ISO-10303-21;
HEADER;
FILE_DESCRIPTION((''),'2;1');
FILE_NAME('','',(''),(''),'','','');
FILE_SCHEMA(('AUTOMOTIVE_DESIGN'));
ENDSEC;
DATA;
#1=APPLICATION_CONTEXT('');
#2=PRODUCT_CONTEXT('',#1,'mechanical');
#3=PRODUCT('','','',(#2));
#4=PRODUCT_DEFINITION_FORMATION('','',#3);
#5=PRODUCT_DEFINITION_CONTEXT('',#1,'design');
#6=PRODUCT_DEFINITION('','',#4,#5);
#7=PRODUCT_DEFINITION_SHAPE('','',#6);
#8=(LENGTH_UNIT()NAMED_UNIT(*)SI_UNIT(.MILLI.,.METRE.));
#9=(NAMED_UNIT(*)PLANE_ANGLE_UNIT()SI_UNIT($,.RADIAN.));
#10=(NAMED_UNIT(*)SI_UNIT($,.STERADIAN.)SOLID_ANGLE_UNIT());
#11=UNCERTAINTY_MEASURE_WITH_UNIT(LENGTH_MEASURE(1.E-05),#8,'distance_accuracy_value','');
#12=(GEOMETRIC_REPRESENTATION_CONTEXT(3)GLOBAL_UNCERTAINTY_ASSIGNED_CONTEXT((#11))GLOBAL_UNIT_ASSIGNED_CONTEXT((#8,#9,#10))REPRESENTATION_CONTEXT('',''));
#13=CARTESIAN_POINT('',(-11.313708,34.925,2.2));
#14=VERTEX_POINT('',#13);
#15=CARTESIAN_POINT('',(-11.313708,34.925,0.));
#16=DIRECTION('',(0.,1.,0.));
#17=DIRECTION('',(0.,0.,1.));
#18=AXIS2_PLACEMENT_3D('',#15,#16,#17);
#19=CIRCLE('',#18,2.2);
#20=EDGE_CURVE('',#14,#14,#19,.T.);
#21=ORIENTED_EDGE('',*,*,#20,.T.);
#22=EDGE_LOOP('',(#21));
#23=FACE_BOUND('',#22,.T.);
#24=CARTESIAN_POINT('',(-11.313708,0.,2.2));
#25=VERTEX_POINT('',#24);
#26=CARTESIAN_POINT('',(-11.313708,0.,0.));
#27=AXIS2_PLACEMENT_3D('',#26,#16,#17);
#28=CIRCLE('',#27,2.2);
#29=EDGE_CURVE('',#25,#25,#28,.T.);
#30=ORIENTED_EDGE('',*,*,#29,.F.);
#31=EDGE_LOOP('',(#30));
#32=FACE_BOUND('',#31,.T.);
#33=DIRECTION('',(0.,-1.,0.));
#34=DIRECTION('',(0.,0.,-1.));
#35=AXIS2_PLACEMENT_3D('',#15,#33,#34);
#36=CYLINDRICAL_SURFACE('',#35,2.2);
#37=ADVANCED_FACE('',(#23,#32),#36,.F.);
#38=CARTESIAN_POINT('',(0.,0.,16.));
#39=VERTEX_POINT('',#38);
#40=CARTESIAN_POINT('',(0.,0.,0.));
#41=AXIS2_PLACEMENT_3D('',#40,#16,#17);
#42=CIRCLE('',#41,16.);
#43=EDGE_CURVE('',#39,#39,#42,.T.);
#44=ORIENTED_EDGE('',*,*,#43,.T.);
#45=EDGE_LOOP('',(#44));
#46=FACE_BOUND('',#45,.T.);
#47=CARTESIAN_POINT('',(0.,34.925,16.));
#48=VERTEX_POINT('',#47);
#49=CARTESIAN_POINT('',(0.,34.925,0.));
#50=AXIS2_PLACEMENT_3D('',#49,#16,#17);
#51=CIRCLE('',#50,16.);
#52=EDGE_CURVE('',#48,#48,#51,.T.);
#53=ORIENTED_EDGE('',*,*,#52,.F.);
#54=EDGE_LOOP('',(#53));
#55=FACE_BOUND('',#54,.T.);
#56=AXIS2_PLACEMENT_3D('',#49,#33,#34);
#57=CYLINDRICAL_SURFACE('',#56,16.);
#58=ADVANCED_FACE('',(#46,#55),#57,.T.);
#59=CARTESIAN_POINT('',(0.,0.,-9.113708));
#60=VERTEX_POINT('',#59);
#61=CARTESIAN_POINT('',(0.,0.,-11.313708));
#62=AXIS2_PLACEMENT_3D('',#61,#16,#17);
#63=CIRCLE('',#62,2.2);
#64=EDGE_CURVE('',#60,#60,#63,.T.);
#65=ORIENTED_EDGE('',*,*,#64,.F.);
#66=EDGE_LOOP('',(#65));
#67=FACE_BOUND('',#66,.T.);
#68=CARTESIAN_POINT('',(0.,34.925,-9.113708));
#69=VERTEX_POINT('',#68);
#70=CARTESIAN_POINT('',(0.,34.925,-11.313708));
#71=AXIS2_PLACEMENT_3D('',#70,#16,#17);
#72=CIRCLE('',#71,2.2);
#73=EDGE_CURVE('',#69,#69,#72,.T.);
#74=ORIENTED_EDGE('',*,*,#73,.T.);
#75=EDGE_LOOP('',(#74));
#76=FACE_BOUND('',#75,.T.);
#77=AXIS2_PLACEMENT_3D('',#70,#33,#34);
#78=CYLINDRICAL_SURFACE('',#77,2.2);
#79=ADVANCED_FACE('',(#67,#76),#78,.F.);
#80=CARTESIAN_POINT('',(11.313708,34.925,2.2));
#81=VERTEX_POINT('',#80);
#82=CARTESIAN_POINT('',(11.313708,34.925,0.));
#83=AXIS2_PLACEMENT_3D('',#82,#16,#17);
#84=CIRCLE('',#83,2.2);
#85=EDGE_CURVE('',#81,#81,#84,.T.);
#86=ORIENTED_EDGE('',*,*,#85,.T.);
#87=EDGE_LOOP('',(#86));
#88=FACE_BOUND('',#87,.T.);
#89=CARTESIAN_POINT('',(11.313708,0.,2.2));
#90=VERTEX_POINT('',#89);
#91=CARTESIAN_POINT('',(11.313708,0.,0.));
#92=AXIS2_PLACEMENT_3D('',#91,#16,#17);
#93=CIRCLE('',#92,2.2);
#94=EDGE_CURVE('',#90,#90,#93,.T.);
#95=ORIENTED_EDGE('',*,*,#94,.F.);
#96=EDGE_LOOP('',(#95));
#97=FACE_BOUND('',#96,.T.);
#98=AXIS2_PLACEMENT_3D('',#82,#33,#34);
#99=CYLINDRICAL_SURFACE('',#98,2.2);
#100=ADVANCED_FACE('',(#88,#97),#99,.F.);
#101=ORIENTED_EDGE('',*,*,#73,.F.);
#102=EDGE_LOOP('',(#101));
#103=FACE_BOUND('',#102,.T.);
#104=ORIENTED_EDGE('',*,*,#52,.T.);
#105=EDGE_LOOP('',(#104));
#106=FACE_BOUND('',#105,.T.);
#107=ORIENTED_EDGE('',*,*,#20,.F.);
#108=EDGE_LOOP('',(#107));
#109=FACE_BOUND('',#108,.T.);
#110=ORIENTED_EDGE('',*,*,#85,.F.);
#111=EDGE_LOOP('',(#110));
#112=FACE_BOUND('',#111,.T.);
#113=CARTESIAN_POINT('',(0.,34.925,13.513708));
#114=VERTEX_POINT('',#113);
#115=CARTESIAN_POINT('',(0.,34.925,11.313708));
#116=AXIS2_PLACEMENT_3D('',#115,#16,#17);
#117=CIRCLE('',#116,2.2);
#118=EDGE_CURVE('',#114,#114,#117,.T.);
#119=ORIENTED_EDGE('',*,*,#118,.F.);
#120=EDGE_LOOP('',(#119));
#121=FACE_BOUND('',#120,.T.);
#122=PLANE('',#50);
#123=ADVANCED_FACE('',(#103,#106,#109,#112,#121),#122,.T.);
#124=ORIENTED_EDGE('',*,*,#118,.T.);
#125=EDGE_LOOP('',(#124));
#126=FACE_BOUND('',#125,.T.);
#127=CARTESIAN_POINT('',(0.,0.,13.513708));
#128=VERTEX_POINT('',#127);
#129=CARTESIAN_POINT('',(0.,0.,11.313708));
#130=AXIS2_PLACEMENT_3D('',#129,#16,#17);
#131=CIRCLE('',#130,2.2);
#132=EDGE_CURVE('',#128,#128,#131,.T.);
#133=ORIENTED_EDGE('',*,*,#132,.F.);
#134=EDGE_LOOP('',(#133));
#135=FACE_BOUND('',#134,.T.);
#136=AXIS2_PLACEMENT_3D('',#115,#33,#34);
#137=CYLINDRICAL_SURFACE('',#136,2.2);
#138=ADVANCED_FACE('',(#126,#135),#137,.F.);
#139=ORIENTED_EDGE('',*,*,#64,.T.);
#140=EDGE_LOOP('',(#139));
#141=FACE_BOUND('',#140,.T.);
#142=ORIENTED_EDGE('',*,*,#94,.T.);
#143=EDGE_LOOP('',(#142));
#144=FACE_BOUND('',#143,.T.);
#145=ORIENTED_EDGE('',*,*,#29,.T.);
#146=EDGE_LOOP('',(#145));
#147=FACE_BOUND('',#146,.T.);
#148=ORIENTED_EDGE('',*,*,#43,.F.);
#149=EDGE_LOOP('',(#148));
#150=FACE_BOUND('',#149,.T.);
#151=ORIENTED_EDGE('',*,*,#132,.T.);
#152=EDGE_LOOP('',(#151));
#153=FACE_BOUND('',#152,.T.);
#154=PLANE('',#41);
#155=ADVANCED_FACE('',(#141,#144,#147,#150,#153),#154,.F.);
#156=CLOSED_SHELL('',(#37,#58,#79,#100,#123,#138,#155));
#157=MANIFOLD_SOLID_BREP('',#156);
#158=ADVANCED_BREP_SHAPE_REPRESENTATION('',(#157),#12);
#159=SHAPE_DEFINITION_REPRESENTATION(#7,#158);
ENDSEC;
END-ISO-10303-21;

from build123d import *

# Parameters (mm, degrees)
SKETCH1_R           = 16
SKETCH1_R_2         = 2.2
BOSS_EXTRUDE1_DEPTH = 34.925


with BuildPart() as part:
    # Sketch1 → Boss-Extrude1 (new body)
    with BuildSketch(Plane(origin=(0, 0, 0), x_dir=(1, 0, 0), z_dir=(0, 1, 0))):
        with Locations(Location((0, 0, 0), (0, 0, 270))):
            Circle(SKETCH1_R)
        with Locations(Location((0, -11.313708499, 0), (0, 0, 270))):
            Circle(SKETCH1_R_2, mode=Mode.SUBTRACT)
        with Locations(Location((11.313708499, 0, 0), (0, 0, 270))):
            Circle(SKETCH1_R_2, mode=Mode.SUBTRACT)
        with Locations(Location((0, 11.313708499, 0), (0, 0, 270))):
            Circle(SKETCH1_R_2, mode=Mode.SUBTRACT)
        with Locations(Location((-11.313708499, 0, 0), (0, 0, 270))):
            Circle(SKETCH1_R_2, mode=Mode.SUBTRACT)
    extrude(amount=BOSS_EXTRUDE1_DEPTH)


solid = part.part
